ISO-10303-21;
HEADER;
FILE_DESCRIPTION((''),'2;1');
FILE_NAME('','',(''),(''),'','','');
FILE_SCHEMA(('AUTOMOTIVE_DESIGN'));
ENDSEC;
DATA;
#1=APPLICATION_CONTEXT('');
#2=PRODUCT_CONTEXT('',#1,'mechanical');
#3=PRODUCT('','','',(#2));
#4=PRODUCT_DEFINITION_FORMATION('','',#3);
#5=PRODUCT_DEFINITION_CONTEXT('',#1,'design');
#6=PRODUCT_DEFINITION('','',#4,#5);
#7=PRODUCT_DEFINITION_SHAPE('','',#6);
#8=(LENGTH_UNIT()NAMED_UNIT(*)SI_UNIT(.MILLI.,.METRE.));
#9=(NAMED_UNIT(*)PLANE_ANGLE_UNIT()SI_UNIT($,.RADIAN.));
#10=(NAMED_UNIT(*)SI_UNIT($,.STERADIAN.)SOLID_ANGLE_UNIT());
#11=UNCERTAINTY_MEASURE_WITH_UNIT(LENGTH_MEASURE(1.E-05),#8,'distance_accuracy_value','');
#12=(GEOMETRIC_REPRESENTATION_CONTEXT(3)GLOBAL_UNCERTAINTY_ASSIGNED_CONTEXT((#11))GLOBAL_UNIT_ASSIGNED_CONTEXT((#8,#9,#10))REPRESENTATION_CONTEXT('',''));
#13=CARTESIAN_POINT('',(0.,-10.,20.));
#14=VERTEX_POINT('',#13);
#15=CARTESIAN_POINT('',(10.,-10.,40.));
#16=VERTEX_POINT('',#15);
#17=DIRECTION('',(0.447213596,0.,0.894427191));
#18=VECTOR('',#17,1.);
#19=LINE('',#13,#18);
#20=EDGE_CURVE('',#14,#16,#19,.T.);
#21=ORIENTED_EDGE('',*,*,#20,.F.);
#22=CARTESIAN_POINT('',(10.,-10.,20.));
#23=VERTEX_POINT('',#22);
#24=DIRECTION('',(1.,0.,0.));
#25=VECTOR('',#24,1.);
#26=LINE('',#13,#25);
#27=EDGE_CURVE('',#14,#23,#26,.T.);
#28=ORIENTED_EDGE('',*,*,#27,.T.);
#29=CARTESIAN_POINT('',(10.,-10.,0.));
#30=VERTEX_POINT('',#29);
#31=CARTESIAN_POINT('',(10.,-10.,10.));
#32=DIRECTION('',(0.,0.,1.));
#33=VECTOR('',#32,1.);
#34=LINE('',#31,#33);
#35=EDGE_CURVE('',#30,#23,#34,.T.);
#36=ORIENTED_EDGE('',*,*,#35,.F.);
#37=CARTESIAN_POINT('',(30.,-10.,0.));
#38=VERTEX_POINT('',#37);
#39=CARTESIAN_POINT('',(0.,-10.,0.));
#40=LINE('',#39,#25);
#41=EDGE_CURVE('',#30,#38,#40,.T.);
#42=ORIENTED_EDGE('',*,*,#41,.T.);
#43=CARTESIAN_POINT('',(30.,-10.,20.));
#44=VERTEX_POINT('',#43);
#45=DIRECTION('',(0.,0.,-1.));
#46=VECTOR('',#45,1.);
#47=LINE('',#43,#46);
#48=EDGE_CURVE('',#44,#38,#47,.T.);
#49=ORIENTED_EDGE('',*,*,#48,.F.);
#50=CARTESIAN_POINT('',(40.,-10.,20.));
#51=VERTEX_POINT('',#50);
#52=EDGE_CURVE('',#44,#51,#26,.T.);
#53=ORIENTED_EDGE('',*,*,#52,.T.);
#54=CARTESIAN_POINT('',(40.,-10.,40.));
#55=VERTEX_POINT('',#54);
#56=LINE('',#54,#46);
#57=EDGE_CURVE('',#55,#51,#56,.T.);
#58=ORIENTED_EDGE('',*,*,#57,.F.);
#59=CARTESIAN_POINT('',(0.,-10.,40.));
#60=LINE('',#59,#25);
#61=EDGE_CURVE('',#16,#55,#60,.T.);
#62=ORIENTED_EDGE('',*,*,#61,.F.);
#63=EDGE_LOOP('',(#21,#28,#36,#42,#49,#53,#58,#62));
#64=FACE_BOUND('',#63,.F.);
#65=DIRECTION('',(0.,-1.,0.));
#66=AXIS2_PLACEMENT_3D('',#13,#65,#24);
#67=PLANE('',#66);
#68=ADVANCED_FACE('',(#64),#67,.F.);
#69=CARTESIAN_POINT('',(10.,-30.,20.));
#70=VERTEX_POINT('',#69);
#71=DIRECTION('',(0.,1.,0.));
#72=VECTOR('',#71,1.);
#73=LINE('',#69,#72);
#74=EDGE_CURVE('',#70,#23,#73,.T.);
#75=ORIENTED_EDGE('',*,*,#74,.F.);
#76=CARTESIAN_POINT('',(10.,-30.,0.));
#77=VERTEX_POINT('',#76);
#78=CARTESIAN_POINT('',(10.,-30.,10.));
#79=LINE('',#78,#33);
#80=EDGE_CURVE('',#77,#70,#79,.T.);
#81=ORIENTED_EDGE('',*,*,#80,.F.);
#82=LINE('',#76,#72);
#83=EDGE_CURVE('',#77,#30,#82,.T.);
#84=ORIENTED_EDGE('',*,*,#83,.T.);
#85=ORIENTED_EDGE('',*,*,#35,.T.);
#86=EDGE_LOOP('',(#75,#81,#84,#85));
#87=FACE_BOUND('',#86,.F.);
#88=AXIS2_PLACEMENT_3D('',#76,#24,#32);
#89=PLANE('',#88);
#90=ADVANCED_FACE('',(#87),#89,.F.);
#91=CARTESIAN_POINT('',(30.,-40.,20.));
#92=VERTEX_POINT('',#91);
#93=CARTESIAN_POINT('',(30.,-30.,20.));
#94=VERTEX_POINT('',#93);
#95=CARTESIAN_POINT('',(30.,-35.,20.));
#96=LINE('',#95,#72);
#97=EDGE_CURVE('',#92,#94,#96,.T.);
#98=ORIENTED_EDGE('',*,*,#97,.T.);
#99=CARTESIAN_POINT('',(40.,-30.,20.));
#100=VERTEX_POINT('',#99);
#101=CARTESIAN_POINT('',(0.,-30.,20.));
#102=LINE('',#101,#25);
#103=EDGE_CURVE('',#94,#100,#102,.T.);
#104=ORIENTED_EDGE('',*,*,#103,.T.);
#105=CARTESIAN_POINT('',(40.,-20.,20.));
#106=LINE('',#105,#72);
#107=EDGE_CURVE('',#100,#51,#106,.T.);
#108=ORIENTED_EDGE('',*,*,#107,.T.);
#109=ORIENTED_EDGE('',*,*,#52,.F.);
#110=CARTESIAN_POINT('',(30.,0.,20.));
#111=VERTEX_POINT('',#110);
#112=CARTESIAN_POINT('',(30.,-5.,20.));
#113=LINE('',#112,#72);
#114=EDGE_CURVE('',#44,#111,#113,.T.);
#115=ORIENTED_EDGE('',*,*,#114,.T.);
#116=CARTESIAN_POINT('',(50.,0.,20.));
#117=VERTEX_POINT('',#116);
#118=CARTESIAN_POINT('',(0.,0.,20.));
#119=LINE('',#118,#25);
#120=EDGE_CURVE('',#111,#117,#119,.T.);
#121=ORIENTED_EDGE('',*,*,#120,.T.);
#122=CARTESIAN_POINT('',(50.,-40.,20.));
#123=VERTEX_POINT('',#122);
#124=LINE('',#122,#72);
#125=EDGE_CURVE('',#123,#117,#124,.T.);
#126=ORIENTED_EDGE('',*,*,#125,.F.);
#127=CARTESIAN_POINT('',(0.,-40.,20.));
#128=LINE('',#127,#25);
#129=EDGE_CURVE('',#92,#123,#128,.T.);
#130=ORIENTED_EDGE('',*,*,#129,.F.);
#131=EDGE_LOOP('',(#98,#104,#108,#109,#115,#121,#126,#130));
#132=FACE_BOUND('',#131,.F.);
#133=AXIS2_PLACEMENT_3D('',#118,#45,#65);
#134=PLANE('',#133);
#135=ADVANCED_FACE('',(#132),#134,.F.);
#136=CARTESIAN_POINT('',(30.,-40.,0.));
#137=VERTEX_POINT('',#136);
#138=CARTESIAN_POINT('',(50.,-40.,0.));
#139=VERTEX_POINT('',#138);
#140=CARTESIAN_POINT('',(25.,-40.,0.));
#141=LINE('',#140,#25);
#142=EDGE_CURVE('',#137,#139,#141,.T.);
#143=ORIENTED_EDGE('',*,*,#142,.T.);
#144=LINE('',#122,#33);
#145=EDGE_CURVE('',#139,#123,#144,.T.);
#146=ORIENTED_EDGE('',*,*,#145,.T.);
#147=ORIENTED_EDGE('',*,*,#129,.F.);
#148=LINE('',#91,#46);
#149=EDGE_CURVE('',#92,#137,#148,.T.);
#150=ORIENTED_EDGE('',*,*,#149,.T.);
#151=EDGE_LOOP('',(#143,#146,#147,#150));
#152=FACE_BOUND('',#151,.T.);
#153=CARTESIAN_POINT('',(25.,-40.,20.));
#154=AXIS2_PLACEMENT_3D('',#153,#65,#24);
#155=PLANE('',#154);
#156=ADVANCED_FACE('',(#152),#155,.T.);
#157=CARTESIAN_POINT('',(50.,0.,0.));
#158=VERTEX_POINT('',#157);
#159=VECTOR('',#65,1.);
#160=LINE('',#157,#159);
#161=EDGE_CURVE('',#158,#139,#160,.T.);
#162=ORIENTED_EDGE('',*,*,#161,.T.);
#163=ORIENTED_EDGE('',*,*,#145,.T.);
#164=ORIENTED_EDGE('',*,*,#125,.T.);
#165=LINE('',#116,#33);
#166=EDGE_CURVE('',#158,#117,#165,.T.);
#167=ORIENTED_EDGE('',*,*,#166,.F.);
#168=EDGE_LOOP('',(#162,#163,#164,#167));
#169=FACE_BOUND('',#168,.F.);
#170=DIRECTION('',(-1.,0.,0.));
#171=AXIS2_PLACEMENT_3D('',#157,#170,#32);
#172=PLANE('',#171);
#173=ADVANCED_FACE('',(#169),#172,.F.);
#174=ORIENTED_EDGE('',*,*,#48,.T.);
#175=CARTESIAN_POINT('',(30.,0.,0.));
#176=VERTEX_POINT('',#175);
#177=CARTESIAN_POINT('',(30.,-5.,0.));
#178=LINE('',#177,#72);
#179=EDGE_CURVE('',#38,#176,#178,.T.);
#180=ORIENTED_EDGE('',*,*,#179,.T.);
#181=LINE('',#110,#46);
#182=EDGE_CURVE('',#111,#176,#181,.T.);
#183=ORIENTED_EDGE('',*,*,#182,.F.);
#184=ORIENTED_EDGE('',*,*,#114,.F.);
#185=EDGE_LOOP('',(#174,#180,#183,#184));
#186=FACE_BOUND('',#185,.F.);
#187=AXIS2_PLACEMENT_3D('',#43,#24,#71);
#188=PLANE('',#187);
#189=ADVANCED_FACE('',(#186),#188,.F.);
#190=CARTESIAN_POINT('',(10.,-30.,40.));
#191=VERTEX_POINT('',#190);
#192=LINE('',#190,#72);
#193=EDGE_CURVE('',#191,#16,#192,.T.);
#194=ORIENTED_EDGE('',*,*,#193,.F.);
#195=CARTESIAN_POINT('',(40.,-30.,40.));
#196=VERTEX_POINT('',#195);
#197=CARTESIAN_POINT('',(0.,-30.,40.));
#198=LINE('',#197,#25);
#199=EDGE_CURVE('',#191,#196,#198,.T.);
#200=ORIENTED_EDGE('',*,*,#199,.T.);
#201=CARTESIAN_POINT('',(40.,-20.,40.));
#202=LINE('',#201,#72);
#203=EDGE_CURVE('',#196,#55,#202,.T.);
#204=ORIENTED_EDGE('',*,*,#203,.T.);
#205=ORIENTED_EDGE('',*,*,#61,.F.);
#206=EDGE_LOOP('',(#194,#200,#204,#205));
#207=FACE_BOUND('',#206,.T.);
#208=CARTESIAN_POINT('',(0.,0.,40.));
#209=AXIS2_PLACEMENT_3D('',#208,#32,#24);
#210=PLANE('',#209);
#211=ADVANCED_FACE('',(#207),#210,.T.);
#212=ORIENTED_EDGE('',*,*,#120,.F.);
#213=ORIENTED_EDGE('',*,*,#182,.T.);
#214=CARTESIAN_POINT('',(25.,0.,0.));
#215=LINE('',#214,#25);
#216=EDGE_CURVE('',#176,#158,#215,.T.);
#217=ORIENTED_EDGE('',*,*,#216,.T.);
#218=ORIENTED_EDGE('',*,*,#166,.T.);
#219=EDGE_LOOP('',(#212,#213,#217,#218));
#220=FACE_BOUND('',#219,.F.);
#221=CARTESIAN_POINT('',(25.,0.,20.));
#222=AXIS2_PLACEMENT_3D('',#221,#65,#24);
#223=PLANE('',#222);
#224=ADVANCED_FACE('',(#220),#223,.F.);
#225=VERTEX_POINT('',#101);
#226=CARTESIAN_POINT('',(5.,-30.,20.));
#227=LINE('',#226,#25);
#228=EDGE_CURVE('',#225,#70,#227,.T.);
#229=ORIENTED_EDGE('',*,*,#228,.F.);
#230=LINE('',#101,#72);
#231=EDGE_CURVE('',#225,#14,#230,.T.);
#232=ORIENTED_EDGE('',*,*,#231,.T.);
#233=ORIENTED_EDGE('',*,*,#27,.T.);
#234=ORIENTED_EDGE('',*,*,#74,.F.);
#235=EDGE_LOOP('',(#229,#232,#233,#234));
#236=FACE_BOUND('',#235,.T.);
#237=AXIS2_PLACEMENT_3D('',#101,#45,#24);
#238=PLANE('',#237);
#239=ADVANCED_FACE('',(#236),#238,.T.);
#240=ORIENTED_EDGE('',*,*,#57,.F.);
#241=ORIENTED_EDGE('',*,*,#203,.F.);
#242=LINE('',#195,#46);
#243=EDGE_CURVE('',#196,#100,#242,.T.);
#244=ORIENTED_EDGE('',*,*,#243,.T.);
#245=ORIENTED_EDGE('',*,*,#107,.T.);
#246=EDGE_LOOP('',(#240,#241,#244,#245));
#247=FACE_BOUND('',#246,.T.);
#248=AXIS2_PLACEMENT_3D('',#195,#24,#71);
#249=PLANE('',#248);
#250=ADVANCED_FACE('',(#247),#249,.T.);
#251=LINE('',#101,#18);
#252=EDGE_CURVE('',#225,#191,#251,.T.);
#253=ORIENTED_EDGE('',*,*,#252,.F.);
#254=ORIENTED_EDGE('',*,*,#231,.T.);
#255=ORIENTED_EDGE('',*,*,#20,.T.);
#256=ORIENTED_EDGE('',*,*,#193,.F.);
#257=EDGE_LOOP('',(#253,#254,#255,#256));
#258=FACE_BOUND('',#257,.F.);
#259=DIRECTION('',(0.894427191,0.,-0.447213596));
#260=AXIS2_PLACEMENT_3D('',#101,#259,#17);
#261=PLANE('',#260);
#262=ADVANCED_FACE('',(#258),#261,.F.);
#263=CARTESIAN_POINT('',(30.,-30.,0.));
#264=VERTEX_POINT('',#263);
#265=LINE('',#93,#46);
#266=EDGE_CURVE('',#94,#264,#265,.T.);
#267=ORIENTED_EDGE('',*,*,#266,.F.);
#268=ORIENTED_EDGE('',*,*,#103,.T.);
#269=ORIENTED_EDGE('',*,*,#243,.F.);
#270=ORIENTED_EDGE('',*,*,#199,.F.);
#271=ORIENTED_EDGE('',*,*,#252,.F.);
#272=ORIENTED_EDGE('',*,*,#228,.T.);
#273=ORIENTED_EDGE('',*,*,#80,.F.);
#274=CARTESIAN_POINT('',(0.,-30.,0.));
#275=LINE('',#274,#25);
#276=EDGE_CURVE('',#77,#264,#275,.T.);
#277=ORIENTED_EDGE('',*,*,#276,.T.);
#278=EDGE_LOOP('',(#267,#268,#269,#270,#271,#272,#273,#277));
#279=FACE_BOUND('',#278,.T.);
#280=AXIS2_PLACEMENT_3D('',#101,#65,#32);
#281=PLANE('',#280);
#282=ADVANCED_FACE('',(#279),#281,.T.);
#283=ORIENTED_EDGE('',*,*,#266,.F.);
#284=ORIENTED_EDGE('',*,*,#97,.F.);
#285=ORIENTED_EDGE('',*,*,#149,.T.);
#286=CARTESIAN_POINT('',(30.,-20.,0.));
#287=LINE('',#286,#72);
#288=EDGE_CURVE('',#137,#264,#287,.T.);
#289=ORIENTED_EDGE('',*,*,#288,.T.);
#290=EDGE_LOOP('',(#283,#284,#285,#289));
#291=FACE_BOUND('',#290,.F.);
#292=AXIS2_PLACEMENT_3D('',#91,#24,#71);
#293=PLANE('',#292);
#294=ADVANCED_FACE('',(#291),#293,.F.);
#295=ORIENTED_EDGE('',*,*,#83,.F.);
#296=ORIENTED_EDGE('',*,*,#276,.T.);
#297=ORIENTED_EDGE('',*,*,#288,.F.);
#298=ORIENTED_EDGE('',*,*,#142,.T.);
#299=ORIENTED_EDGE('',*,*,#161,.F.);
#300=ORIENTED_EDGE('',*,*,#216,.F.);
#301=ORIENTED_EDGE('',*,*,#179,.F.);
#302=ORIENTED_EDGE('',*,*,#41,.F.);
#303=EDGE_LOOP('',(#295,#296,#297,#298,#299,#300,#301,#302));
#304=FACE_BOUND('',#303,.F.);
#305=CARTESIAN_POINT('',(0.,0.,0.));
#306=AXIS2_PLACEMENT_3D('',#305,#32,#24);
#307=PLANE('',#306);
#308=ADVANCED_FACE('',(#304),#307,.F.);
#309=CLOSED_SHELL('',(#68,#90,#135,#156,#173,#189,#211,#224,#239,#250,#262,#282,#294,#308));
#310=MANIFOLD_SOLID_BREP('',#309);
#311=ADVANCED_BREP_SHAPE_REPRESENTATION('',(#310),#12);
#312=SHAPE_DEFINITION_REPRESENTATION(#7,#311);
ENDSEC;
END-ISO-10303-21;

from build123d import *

# Parameters (mm, degrees)
F0_W      = 50
F0_H      = 40
F1_DEPTH  = 40
F2_W      = 10
F2_H      = 20
F3_DEPTH  = 50.001
F4_W      = 30
F4_H      = 10
F5_DEPTH  = 20.001
F6_W      = 10
F6_H      = 20
F7_DEPTH  = 20
F9_DEPTH  = 30.001
F10_W     = 10
F10_H     = 20
F11_DEPTH = 30.001


with BuildPart() as f1:
    # F0 (on Front) → F1 (new body)
    with BuildSketch(Plane.XZ):
        with Locations((25, 20)):
            Rectangle(F0_W, F0_H)
    extrude(amount=F1_DEPTH)

    # F2 (on face) → F3 (cut, through all)
    with BuildSketch(Plane(origin=(0, 0, 0), x_dir=(0, -1, 0), z_dir=(-1, 0, 0))):
        with Locations((5, 30)):
            Rectangle(F2_W, F2_H)
        with Locations((35, 30)):
            Rectangle(F2_W, F2_H)
    extrude(amount=-F3_DEPTH, mode=Mode.SUBTRACT)

    # F4 (on face) → F5 (cut, through all)
    with BuildSketch(Plane.XY.offset(20)):
        with Locations((15, -5)):
            Rectangle(F4_W, F4_H)
        with Locations((15, -35)):
            Rectangle(F4_W, F4_H)
    extrude(amount=-F5_DEPTH, mode=Mode.SUBTRACT)

    # F6 (on face) → F7 (cut, through all)
    with BuildSketch(Plane.XY.offset(40)):
        with Locations((45, -20)):
            Rectangle(F6_W, F6_H)
    extrude(amount=-F7_DEPTH, mode=Mode.SUBTRACT)

    # F8 (on face) → F9 (cut, through all)
    with BuildSketch(Plane.XZ.offset(30)):
        Polygon((10, 40), (0, 40), (0, 20), align=None)
    extrude(amount=-F9_DEPTH, mode=Mode.SUBTRACT)

    # F10 (on face) → F11 (cut, through all)
    with BuildSketch(Plane.XZ.offset(30)):
        with Locations((5, 10)):
            Rectangle(F10_W, F10_H)
    extrude(amount=-F11_DEPTH, mode=Mode.SUBTRACT)


solid = f1.part
